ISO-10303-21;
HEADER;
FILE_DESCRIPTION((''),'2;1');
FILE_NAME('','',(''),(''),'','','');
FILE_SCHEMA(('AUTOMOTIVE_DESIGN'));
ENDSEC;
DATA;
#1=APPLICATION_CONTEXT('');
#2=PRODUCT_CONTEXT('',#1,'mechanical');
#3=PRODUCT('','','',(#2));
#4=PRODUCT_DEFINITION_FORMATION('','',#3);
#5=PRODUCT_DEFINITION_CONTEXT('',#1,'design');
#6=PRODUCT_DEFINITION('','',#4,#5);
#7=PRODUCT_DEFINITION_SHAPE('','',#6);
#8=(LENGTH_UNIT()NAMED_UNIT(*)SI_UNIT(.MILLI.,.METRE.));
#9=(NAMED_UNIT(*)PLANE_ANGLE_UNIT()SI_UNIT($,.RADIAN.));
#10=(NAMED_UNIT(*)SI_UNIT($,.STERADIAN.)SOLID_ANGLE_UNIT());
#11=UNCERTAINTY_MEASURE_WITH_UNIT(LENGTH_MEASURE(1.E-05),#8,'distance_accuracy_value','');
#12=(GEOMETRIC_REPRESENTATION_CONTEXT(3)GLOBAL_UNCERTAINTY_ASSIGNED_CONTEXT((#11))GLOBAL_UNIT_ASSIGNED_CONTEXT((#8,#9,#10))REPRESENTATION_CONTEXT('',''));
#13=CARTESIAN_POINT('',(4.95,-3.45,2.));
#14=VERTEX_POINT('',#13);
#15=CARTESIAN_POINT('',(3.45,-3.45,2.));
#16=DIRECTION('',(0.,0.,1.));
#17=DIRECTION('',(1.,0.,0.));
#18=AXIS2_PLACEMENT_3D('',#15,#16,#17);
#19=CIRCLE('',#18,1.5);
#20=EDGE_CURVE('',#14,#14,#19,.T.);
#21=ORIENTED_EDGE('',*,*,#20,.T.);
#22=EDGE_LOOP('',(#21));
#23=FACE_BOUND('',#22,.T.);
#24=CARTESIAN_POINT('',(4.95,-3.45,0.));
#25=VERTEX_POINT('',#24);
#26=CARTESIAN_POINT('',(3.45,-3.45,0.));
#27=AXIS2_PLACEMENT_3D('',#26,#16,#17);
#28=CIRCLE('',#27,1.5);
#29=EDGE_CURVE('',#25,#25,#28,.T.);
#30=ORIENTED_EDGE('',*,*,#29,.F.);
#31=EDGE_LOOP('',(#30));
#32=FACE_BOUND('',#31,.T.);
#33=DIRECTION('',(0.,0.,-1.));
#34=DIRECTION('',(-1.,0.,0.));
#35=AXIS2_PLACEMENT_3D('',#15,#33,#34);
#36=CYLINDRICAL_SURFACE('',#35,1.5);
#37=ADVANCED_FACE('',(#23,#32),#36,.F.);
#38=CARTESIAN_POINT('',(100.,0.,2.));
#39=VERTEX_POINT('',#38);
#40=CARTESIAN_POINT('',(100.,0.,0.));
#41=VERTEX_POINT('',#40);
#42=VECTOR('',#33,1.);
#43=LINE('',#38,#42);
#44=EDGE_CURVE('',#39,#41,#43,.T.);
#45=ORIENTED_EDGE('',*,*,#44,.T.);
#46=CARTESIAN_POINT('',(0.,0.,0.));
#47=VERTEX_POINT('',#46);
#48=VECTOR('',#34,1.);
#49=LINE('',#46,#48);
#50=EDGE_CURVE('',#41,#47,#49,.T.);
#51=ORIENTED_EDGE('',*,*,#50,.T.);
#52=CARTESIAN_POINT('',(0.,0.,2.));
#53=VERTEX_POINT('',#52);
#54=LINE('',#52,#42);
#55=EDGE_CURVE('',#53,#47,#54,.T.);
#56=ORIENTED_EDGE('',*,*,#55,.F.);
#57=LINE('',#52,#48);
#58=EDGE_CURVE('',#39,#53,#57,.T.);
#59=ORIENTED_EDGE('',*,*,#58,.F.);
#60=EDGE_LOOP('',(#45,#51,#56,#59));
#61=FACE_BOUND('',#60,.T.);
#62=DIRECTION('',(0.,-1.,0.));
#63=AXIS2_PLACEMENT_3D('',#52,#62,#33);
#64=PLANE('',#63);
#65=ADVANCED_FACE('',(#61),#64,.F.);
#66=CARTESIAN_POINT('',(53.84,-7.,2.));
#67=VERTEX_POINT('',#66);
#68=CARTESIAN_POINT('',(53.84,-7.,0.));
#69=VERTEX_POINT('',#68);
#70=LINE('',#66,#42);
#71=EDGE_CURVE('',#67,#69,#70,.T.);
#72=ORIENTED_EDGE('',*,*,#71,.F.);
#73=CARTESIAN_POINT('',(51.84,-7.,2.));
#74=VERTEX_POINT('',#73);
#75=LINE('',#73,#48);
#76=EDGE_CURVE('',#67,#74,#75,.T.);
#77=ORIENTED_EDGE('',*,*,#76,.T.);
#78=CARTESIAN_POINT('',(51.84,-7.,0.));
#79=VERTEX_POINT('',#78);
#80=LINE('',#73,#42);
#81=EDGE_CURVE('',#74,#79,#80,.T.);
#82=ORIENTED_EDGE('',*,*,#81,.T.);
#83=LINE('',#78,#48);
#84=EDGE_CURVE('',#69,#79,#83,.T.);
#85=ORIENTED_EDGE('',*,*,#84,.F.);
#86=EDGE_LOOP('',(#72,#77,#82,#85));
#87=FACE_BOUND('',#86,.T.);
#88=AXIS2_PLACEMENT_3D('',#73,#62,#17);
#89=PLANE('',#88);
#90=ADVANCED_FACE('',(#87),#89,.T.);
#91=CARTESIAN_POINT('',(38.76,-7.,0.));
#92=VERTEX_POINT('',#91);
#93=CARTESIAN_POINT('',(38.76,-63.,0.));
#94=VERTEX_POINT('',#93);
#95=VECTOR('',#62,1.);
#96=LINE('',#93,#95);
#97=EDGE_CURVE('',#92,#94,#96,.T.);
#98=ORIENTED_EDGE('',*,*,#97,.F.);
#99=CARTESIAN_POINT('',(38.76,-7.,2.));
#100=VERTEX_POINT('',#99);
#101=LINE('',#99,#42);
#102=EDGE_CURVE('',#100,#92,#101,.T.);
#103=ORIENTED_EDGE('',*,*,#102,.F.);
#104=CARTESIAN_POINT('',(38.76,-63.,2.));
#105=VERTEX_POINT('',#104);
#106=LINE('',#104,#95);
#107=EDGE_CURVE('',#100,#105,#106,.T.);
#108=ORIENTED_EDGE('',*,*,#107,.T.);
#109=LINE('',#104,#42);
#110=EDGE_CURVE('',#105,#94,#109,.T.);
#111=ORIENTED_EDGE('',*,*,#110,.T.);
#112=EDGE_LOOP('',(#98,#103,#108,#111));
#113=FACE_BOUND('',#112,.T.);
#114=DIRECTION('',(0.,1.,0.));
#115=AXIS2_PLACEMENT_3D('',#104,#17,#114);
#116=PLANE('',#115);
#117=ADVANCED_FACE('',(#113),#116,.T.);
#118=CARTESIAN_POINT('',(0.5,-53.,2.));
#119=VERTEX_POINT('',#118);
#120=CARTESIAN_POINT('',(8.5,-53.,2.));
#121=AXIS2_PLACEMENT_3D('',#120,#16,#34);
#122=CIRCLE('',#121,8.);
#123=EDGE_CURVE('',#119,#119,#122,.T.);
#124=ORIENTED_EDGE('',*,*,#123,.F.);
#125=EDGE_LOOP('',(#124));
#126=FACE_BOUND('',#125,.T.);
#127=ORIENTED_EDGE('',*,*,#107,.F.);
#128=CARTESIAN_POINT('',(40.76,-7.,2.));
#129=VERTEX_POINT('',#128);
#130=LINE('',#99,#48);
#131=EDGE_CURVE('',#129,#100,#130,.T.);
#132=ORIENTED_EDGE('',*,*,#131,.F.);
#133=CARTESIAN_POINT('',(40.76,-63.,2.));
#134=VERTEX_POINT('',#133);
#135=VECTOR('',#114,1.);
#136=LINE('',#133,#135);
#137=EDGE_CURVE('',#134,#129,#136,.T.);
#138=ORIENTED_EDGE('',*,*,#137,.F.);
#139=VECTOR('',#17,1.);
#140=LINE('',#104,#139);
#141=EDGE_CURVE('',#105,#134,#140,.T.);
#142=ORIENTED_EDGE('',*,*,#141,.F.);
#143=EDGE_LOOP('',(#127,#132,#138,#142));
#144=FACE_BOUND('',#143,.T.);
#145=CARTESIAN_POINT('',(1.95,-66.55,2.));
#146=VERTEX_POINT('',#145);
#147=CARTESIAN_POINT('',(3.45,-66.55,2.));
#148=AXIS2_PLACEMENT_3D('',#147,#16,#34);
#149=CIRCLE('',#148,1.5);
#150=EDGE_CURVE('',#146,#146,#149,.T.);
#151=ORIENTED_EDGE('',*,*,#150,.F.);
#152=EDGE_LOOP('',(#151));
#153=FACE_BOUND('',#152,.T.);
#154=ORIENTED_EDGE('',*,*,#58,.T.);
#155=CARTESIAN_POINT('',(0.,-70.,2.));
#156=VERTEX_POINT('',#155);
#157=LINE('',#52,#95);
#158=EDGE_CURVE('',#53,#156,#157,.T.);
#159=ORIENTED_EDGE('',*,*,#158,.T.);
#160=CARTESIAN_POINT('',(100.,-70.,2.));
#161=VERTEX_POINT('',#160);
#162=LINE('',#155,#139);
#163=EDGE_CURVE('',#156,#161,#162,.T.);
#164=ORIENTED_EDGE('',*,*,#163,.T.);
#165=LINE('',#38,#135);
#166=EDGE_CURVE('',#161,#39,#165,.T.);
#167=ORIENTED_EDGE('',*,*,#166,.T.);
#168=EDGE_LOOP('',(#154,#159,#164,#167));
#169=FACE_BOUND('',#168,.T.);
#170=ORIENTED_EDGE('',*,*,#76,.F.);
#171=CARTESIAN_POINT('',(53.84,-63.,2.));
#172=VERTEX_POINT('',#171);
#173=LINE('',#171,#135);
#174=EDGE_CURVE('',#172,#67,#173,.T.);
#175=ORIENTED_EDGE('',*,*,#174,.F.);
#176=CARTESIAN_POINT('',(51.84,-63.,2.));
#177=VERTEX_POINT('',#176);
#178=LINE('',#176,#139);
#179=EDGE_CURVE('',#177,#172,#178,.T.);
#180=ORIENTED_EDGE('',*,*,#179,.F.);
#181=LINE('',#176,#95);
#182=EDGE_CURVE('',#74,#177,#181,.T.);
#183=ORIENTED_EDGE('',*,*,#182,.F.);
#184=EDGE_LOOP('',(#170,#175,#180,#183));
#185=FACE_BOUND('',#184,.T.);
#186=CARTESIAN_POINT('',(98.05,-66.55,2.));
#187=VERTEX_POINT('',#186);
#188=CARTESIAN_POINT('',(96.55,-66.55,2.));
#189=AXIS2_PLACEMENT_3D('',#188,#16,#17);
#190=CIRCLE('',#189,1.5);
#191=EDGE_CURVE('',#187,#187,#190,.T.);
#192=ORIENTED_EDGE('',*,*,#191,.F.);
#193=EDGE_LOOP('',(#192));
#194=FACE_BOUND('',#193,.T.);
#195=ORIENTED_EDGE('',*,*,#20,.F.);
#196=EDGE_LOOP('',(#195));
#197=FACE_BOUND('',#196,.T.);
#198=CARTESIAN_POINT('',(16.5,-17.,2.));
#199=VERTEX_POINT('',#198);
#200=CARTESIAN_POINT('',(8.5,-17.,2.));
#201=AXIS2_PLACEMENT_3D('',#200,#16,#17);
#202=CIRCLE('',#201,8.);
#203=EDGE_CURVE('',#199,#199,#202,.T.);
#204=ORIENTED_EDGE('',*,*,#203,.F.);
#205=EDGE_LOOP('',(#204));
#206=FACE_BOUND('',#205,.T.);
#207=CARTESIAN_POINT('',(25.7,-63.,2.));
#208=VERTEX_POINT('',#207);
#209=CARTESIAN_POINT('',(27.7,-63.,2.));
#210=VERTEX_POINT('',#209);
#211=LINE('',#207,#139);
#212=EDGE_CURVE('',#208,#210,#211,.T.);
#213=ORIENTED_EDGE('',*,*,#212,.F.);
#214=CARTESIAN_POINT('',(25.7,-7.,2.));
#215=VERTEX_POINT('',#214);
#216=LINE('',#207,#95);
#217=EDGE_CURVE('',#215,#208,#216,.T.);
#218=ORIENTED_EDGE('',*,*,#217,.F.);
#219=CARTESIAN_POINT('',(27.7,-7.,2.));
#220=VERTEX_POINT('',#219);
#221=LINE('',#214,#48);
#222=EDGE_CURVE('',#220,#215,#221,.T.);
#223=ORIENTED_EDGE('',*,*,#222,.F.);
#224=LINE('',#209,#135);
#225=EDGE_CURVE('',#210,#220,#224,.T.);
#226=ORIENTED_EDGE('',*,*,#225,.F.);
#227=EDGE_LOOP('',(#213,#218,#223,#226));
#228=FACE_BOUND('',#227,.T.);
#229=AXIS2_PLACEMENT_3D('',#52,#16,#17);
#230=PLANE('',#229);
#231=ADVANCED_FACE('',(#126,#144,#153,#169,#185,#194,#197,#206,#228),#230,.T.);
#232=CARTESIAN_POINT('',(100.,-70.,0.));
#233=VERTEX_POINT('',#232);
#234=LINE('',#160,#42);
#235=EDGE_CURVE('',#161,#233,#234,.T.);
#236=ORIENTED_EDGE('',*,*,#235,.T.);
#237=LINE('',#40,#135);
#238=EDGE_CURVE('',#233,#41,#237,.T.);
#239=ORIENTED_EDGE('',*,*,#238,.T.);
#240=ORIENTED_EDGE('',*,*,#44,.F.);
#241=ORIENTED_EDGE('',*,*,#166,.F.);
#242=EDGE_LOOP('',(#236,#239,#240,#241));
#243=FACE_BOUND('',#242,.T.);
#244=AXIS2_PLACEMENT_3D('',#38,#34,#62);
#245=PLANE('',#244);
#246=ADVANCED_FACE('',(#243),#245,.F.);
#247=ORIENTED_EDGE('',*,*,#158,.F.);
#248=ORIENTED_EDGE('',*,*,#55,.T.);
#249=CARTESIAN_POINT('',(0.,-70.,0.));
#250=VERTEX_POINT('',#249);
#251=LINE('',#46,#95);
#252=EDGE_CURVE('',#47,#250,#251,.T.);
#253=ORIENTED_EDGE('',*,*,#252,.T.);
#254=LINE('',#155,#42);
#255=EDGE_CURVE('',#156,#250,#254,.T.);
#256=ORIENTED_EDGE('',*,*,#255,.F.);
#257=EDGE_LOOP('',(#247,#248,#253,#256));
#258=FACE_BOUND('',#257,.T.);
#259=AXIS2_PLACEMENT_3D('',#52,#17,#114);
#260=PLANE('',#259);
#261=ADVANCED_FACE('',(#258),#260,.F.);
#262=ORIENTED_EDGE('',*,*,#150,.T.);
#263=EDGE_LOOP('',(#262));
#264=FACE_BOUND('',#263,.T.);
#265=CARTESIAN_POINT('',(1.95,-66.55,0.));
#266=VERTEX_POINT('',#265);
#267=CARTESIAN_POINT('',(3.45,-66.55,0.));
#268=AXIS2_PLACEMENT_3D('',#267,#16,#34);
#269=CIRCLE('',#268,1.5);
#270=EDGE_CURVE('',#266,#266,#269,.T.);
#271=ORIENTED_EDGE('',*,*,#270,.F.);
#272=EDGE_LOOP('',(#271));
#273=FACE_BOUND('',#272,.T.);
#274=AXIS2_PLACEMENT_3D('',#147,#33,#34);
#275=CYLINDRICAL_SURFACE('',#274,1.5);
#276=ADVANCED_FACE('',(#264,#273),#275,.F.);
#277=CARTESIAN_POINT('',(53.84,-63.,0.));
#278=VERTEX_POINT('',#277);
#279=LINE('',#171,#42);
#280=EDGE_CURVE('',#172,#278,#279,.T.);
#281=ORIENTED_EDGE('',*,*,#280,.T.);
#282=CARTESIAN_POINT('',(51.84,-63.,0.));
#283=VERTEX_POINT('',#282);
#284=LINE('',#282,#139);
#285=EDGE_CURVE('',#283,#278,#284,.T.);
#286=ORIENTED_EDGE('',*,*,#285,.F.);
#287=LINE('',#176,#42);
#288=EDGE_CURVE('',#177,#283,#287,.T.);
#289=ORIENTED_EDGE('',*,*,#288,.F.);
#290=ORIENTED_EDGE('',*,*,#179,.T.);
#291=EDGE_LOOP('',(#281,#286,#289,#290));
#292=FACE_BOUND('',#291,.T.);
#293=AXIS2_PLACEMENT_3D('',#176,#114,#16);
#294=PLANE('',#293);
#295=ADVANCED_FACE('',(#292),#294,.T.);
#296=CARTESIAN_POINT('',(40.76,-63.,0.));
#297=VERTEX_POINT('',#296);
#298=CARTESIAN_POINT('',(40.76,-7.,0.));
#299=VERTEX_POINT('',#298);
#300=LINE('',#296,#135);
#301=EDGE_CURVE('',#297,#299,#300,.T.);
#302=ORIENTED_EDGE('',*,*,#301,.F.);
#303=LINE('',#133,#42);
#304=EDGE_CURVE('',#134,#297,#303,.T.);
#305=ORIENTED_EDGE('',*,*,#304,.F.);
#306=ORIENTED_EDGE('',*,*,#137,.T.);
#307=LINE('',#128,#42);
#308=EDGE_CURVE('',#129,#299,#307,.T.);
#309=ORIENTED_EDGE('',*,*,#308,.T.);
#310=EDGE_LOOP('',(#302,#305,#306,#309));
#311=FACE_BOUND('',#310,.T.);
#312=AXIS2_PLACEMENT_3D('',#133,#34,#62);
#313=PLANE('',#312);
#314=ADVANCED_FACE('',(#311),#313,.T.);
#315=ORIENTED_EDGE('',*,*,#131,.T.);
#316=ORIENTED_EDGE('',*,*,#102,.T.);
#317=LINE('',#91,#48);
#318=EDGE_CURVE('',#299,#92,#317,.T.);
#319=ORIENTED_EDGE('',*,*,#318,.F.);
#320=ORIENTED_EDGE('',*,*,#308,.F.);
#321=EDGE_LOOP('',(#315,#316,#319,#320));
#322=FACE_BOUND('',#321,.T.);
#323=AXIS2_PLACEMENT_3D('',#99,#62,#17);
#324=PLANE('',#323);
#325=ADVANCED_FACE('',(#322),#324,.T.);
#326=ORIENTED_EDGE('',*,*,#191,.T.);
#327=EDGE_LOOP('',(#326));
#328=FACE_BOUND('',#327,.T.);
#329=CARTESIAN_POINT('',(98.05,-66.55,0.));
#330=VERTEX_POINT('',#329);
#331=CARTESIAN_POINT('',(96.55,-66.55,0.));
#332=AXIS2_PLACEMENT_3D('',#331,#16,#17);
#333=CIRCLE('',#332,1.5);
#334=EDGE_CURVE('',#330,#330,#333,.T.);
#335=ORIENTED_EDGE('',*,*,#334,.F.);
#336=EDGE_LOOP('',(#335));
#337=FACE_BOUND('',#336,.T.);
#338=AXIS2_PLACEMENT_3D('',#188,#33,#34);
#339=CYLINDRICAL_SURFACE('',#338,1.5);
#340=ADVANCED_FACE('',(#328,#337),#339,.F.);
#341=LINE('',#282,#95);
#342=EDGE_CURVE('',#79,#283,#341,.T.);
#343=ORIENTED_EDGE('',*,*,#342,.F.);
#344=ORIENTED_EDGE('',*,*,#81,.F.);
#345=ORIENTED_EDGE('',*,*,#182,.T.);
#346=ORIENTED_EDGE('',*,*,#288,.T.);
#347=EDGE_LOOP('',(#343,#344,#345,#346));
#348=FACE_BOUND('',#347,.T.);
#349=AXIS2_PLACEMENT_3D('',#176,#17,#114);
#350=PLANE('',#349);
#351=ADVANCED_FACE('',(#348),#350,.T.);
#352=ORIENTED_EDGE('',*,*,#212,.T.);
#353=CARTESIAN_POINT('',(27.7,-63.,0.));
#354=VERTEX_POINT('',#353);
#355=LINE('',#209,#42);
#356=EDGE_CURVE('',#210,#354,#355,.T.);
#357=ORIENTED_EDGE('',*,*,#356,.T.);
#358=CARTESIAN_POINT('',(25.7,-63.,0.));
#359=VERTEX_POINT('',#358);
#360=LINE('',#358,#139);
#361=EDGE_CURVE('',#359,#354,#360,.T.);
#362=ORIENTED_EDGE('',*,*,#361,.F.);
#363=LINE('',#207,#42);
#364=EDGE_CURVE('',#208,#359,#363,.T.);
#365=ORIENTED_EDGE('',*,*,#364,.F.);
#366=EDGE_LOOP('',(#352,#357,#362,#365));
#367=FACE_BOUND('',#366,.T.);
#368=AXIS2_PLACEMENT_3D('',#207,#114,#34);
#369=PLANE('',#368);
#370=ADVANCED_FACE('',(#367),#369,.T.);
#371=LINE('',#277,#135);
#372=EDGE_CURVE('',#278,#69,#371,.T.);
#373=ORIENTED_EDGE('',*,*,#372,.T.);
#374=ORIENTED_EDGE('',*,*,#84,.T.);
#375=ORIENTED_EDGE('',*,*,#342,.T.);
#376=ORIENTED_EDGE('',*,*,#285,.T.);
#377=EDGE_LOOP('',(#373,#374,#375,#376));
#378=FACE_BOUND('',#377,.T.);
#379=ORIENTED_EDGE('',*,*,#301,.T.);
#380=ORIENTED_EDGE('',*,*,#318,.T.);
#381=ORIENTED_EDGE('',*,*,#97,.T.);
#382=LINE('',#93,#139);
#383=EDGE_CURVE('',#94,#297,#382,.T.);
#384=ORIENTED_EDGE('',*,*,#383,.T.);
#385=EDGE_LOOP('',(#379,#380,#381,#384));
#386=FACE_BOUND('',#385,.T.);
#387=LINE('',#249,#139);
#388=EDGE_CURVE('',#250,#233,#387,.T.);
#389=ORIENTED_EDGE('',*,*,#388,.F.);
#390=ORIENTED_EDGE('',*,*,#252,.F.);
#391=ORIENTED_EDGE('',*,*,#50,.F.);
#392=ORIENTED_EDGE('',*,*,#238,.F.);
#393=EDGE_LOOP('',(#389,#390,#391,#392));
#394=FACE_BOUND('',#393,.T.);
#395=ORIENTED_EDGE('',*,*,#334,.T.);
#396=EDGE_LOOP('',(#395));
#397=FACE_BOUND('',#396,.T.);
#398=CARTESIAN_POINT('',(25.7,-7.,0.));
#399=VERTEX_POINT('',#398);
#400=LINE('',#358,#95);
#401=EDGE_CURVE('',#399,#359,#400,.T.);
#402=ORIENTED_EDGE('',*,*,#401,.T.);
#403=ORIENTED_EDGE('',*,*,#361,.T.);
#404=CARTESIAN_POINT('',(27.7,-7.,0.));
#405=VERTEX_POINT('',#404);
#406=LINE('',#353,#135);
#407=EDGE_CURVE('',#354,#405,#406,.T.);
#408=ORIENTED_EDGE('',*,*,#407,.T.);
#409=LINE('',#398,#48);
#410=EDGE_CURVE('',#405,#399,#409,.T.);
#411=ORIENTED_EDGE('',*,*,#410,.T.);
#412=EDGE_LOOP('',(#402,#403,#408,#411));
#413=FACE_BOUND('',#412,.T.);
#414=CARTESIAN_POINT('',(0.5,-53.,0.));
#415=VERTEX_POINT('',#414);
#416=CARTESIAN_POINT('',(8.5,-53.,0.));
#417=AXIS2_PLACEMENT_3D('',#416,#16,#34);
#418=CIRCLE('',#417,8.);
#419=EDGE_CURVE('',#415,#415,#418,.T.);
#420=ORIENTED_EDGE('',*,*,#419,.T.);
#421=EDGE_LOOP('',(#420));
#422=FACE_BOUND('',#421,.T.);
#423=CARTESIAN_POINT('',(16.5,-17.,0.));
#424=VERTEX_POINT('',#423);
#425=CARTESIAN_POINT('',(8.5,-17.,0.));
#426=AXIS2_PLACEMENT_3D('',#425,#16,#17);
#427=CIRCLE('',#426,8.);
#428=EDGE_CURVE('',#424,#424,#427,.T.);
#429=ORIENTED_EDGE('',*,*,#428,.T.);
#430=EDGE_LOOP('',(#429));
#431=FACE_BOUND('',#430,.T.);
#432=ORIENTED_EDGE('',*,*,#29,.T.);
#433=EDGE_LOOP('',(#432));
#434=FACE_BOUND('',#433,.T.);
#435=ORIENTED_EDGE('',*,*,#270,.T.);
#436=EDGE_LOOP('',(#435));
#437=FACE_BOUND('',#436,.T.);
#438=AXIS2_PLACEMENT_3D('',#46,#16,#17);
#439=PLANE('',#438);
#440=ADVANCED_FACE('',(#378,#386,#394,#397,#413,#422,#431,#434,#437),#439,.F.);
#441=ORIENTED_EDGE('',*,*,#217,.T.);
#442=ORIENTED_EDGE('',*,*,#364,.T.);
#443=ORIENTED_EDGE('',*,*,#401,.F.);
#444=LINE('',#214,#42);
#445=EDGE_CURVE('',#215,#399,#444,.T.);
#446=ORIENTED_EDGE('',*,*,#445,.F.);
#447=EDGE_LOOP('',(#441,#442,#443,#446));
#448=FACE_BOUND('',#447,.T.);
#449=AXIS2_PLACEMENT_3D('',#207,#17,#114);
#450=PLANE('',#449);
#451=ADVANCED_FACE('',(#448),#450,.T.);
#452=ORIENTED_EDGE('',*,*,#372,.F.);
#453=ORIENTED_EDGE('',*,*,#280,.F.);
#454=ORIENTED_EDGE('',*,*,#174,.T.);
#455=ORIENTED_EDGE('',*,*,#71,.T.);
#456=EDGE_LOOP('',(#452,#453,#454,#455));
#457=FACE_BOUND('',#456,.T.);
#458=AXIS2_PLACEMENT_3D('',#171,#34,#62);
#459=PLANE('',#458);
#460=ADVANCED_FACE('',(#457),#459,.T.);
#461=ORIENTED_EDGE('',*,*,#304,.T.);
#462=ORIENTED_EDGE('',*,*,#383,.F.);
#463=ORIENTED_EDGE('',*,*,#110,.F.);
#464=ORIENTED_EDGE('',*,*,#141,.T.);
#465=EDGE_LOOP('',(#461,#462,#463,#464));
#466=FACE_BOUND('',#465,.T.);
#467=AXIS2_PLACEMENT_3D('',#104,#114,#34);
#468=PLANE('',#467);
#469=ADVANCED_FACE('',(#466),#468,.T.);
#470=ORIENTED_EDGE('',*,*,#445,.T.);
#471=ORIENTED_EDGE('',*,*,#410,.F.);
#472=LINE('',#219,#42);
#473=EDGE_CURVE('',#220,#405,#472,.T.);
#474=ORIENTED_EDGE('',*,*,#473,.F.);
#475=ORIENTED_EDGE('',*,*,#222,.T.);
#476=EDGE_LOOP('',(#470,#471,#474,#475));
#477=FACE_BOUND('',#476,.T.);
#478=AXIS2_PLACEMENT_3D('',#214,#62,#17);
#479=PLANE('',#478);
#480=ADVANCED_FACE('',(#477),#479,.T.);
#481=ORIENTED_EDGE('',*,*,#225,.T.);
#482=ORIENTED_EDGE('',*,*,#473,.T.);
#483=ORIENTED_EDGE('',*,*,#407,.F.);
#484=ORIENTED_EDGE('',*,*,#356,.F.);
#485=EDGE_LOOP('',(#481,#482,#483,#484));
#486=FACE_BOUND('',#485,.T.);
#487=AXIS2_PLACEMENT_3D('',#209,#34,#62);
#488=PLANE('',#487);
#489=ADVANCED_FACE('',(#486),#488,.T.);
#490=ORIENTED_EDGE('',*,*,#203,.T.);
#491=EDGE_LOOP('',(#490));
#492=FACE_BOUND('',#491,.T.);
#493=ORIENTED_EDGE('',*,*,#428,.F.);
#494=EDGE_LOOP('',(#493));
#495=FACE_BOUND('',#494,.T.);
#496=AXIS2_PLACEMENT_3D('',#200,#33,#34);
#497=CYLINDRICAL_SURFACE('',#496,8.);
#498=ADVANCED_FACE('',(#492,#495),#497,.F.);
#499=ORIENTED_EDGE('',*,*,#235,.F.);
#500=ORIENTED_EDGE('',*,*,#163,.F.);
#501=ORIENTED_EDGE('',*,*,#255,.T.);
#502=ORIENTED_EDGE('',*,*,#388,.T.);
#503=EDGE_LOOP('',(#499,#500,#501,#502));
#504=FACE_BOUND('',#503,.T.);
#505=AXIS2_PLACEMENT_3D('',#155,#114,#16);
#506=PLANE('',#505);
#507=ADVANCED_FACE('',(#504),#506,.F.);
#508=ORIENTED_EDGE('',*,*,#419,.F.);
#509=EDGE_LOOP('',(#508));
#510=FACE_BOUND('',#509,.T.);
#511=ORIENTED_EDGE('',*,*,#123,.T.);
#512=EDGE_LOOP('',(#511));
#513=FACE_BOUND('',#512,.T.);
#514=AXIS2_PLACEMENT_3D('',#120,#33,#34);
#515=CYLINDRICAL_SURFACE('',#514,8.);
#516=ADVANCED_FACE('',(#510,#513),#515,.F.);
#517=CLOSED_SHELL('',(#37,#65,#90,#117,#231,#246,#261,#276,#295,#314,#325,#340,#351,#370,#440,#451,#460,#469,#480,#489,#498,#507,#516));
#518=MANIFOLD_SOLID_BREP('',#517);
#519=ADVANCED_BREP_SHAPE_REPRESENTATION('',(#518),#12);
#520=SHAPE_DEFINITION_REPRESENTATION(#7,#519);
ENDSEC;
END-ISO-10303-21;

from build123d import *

# Parameters (mm, degrees)
SKETCH_1_W      = 100
SKETCH_1_H      = 70
SKETCH_1_R      = 1.5
SKETCH_1_R_2    = 8
SKETCH_1_W_2    = 2
SKETCH_1_H_2    = 56
EXTRUDE_1_DEPTH = 2


with BuildPart() as part:
    # ｽｹｯﾁ1 → ﾎﾞｽ - 押し出し1 (new body)
    with BuildSketch(Plane.XY):
        with Locations((50, -35)):
            Rectangle(SKETCH_1_W, SKETCH_1_H)
        with Locations((3.45, -3.45)):
            Circle(SKETCH_1_R, mode=Mode.SUBTRACT)
        with Locations(Location((3.45, -66.55, 0), (0, 0, 180))):
            Circle(SKETCH_1_R, mode=Mode.SUBTRACT)
        with Locations((96.55, -66.55)):
            Circle(SKETCH_1_R, mode=Mode.SUBTRACT)
        with Locations((8.5, -17)):
            Circle(SKETCH_1_R_2, mode=Mode.SUBTRACT)
        with Locations(Location((8.5, -53, 0), (0, 0, 180))):
            Circle(SKETCH_1_R_2, mode=Mode.SUBTRACT)
        with Locations((52.84, -35)):
            Rectangle(SKETCH_1_W_2, SKETCH_1_H_2, mode=Mode.SUBTRACT)
        with Locations((39.76, -35)):
            Rectangle(SKETCH_1_W_2, SKETCH_1_H_2, mode=Mode.SUBTRACT)
        with Locations((26.7, -35)):
            Rectangle(SKETCH_1_W_2, SKETCH_1_H_2, mode=Mode.SUBTRACT)
    extrude(amount=EXTRUDE_1_DEPTH)


solid = part.part
